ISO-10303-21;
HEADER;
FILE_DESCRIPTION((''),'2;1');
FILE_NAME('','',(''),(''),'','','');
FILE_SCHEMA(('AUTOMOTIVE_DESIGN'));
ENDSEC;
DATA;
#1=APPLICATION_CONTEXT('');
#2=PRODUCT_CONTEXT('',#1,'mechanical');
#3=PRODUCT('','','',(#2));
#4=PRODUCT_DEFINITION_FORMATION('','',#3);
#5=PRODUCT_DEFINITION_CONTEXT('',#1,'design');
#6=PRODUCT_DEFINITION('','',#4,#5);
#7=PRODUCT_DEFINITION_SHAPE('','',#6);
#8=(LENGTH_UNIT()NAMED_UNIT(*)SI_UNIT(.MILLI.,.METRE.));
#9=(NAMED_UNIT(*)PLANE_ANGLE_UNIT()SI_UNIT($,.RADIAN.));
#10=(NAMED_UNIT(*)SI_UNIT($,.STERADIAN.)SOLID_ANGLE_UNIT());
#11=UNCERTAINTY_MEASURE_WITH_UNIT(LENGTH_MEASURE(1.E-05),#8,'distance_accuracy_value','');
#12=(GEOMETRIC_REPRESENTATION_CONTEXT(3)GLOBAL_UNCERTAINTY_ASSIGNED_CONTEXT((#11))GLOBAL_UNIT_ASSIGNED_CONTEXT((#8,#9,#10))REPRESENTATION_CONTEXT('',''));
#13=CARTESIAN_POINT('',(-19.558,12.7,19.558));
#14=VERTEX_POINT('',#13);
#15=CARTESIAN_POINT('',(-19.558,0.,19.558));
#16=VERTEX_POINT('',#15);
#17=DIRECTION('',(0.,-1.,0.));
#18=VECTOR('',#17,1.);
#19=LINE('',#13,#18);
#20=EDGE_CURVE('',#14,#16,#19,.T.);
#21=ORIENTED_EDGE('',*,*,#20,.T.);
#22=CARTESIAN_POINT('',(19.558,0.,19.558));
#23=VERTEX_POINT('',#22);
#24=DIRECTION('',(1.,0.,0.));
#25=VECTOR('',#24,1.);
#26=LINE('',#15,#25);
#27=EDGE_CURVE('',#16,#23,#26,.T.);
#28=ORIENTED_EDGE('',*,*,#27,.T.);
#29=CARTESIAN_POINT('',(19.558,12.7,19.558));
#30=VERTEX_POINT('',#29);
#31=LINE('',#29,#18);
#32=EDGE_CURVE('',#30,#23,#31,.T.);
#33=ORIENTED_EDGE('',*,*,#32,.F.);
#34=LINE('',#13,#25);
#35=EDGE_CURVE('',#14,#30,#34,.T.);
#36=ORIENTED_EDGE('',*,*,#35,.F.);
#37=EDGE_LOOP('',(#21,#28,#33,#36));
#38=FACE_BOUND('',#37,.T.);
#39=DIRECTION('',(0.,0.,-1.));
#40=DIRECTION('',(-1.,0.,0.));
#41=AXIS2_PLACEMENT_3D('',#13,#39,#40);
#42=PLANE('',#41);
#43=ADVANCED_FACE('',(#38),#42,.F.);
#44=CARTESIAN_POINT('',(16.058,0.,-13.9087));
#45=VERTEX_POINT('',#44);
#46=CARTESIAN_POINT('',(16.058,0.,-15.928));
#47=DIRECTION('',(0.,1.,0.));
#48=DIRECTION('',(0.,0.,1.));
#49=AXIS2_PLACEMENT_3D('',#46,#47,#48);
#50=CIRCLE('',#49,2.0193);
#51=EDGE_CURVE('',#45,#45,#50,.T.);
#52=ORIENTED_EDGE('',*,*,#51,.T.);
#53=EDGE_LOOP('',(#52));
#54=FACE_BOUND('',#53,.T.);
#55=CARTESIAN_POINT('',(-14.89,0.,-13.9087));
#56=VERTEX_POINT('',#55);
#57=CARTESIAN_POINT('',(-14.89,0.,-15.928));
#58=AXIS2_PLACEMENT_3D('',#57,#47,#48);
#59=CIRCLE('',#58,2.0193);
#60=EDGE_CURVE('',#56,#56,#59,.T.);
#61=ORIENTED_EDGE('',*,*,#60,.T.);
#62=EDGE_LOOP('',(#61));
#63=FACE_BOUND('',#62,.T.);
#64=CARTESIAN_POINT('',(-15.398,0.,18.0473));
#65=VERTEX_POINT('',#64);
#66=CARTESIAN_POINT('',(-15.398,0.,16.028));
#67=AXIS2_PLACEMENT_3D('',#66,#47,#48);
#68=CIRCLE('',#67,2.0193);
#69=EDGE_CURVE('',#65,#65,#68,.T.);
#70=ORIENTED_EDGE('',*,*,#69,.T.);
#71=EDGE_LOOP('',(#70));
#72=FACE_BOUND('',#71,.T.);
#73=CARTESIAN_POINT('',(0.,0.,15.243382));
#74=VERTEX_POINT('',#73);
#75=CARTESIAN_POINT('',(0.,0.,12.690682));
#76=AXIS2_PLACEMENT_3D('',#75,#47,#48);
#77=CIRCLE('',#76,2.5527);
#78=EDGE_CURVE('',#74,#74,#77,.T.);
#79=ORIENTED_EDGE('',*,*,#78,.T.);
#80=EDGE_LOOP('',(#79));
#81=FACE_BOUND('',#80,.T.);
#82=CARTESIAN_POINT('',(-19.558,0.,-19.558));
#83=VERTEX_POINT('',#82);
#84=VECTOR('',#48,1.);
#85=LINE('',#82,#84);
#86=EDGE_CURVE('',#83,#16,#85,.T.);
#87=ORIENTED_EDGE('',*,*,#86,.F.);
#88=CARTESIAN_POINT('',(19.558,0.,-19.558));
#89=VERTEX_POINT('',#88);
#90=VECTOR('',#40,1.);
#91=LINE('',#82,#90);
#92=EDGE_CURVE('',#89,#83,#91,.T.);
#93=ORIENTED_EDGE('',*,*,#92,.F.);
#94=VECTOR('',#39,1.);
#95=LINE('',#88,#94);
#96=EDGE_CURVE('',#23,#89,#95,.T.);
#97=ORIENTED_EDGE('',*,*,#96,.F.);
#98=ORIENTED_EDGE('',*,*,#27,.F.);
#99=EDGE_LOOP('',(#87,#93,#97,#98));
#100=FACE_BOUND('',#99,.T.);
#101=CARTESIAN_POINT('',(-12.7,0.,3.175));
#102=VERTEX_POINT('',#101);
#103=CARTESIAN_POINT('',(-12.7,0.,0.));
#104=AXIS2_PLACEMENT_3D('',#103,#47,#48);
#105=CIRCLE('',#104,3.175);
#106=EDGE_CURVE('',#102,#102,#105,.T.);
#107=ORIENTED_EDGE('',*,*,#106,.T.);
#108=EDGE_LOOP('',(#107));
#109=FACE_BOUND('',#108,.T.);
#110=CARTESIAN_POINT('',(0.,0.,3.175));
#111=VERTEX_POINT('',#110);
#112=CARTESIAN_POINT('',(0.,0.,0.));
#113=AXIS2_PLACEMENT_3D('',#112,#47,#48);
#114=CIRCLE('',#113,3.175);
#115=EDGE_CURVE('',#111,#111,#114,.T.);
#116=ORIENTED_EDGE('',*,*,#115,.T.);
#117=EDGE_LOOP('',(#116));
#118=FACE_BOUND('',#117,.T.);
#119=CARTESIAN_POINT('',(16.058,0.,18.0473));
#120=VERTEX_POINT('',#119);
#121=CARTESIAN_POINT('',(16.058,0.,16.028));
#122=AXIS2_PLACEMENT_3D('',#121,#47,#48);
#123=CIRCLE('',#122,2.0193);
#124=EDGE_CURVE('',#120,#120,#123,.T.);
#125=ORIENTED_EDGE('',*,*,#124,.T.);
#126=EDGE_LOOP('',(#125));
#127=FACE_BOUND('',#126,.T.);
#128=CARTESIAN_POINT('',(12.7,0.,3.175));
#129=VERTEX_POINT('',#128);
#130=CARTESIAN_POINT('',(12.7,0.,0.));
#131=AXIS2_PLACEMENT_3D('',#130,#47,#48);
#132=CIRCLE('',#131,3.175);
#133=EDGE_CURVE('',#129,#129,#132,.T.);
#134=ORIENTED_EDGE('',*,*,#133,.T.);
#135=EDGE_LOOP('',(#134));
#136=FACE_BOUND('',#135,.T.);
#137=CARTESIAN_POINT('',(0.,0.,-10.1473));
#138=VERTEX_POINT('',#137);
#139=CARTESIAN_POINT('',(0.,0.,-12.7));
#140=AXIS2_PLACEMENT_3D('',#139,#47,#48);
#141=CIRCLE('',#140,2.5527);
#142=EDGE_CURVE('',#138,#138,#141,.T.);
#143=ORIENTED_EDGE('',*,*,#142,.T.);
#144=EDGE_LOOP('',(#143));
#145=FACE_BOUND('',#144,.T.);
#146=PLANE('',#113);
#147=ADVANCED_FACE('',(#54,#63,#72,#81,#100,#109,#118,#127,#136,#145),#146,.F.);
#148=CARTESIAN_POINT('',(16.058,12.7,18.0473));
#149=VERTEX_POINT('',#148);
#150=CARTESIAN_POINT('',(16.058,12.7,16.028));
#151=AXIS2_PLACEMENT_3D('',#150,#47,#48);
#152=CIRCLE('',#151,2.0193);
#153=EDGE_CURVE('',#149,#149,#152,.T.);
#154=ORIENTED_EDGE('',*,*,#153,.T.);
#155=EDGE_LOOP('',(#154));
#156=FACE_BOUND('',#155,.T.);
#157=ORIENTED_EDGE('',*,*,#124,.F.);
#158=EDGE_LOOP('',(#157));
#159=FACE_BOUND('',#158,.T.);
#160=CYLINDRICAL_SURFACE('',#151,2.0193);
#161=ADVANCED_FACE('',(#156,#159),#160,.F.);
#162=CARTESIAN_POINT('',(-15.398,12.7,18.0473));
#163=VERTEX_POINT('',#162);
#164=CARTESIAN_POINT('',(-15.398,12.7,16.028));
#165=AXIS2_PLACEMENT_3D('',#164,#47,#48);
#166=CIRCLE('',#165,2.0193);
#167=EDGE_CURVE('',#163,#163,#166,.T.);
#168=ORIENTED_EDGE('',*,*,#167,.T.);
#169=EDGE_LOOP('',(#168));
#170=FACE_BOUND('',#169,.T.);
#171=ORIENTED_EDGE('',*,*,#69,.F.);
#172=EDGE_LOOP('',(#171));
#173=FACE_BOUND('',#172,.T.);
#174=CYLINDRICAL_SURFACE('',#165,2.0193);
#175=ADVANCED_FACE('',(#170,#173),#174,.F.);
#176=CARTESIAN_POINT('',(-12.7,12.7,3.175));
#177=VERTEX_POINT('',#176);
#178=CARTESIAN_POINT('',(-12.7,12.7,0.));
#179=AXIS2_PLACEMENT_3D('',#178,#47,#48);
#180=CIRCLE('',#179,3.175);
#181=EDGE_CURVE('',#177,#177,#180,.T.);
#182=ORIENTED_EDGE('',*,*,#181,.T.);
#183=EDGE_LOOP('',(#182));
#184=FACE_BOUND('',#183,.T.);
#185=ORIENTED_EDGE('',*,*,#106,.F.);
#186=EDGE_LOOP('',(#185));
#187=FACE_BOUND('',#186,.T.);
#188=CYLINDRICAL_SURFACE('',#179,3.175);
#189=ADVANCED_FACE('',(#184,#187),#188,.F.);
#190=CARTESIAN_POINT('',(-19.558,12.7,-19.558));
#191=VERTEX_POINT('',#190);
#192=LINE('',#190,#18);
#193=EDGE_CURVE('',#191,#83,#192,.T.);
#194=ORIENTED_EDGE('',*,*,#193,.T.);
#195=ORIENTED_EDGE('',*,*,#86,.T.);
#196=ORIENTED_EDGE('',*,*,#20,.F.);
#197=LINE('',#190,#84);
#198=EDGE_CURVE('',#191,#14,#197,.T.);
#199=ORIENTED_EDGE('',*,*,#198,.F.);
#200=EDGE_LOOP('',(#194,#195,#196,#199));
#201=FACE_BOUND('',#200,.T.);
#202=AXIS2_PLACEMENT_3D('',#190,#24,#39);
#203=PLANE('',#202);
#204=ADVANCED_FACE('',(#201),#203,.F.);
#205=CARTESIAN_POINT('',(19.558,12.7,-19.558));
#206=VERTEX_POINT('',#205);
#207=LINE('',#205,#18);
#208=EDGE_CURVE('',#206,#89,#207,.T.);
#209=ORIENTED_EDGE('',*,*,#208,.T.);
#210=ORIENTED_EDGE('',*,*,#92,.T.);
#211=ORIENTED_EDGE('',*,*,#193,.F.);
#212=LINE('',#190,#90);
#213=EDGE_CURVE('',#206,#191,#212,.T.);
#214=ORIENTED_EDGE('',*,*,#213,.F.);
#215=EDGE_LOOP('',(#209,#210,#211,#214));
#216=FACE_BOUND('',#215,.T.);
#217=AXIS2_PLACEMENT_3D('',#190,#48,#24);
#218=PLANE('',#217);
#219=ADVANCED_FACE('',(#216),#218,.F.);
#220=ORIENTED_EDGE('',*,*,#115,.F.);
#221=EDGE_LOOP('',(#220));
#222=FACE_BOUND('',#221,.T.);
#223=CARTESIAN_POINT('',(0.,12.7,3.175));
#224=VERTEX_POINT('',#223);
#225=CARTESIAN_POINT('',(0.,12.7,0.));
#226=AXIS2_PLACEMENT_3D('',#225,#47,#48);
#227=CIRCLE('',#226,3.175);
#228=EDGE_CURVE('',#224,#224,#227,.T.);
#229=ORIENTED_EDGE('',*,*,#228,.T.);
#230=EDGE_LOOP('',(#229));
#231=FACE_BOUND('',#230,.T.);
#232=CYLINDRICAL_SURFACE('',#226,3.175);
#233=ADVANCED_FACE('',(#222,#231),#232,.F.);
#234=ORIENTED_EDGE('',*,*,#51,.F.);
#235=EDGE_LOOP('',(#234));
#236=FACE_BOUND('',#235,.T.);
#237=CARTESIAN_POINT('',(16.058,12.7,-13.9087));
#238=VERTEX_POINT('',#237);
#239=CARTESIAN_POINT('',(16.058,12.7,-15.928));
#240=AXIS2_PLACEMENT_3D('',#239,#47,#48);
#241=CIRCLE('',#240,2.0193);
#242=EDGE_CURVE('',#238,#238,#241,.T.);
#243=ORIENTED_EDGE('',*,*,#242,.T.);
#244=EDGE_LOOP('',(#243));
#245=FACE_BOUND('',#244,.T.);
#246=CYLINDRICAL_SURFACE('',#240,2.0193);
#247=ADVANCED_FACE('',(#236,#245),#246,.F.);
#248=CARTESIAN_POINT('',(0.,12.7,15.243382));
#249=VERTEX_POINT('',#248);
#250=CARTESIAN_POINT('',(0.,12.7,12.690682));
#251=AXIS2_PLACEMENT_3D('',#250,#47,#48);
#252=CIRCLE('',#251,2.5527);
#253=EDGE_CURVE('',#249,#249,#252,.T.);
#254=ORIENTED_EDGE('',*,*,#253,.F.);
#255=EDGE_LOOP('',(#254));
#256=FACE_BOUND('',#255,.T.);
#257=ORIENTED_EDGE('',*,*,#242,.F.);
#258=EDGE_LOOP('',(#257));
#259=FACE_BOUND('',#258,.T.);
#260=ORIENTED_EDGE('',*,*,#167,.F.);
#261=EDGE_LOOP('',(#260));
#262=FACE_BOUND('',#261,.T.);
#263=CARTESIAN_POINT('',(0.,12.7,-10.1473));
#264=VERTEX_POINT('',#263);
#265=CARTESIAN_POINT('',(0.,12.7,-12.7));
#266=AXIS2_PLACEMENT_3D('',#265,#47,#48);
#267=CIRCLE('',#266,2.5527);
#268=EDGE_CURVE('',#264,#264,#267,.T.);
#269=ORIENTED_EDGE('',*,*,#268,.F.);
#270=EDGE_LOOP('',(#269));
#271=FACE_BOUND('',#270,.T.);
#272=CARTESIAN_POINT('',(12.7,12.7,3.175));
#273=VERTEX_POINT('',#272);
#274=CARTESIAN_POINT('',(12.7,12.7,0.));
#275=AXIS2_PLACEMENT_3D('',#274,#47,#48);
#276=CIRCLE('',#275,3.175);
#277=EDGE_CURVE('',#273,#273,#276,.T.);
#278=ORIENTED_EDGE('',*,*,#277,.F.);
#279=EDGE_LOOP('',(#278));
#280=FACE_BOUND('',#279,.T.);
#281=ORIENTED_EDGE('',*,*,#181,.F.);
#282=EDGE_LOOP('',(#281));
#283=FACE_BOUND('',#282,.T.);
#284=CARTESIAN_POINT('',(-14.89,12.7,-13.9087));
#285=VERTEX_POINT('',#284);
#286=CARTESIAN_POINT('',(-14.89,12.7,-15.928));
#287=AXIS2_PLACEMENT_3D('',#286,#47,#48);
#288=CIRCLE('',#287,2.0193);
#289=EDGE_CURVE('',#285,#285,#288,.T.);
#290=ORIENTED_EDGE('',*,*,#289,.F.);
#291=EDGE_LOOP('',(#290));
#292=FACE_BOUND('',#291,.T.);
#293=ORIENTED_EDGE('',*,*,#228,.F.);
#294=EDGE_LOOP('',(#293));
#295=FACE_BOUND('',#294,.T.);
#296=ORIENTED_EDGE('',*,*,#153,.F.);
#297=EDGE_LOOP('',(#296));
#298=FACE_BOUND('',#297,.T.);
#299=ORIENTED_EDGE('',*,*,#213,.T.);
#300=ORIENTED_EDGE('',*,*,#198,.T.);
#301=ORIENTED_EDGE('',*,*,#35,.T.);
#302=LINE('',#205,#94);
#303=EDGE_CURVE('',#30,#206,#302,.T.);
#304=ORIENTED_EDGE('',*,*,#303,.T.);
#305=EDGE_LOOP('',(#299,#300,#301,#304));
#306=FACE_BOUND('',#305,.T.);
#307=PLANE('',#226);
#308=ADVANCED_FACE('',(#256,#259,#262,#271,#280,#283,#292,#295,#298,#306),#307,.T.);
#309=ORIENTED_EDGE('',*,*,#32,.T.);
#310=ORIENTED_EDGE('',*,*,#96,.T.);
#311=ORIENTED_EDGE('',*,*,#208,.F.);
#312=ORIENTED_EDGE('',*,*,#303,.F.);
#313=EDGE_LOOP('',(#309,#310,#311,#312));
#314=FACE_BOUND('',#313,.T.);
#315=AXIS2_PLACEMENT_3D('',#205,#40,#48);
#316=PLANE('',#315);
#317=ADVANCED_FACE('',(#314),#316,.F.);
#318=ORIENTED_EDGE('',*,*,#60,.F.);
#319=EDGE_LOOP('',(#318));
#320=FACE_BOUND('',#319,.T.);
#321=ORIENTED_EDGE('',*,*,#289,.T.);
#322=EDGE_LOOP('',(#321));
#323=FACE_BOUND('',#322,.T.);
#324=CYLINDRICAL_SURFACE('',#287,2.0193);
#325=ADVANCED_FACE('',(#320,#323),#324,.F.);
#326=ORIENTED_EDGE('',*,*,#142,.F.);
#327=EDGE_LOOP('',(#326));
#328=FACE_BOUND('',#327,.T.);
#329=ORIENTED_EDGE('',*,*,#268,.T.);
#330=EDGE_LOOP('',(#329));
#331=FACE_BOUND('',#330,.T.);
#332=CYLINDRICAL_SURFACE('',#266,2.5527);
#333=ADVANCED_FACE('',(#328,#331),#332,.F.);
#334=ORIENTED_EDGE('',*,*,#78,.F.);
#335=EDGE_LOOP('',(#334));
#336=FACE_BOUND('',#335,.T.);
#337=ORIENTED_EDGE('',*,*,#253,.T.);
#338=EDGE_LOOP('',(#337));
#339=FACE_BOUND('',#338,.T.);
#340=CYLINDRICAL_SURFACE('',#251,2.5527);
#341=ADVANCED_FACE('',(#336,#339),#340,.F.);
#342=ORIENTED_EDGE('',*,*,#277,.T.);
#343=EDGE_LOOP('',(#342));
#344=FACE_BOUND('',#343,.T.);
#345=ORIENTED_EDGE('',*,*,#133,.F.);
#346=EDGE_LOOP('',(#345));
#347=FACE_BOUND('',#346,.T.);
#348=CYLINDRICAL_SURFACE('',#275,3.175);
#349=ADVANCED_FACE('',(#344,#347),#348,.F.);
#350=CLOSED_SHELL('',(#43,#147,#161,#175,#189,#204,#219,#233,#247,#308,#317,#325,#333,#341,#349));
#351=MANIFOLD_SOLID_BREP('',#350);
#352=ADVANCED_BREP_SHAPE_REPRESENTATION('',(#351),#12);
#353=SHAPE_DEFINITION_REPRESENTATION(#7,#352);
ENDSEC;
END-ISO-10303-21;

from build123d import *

# Parameters (mm, degrees)
SKETCH1_W                       = 39.116
SKETCH1_H                       = 39.116
BOSS_EXTRUDE1_DEPTH             = 12.7
F_21_0_159_DIAMETER_HOLE1_D     = 4.0386
F_21_0_159_DIAMETER_HOLE1_DEPTH = 12.7
F_1_4_0_25_DIAMETER_HOLE1_D     = 6.35
F_1_4_0_25_DIAMETER_HOLE1_DEPTH = 12.7
LPATTERN1_COUNT                 = 2
LPATTERN1_PITCH                 = 12.7
LPATTERN1_COL_COUNT             = 2
LPATTERN1_COL_PITCH             = 12.7
F_1_4_20_TAPPED_HOLE1_D         = 5.1054
F_1_4_20_TAPPED_HOLE1_DEPTH     = 12.7


with BuildPart() as part:
    # Sketch1 → Boss-Extrude1 (new body)
    with BuildSketch(Plane(origin=(0, 0, 0), x_dir=(1, 0, 0), z_dir=(0, 1, 0))):
        Rectangle(SKETCH1_W, SKETCH1_H)
    extrude(amount=BOSS_EXTRUDE1_DEPTH)

    # #21 (0.159) Diameter Hole1
    with Locations(Plane(origin=(0, 12.7, 0), x_dir=(1, 0, 0), z_dir=(0, 1, 0))):
        with Locations((-14.89, 15.928), (-15.398, -16.028), (16.058, -16.028), (16.058, 15.928)):
            Hole(F_21_0_159_DIAMETER_HOLE1_D / 2, depth=F_21_0_159_DIAMETER_HOLE1_DEPTH)

    # 1/4 (0.25) Diameter Hole1
    with Locations(Plane(origin=(0, 12.7, 0), x_dir=(1, 0, 0), z_dir=(0, 1, 0))):
        with Locations((0, 0)):
            f_1_4_0_25_diameter_hole1 = Hole(F_1_4_0_25_DIAMETER_HOLE1_D / 2, depth=F_1_4_0_25_DIAMETER_HOLE1_DEPTH)

    # LPattern1: 1/4 (0.25) Diameter Hole1 ×2
    with Locations(*[(-i * LPATTERN1_PITCH, 0, 0) for i in range(1, LPATTERN1_COUNT)]):
        add(f_1_4_0_25_diameter_hole1, mode=Mode.SUBTRACT)

    # LPattern1 col: 1/4 (0.25) Diameter Hole1 ×2
    with Locations(*[(i * LPATTERN1_COL_PITCH, 0, 0) for i in range(1, LPATTERN1_COL_COUNT)]):
        add(f_1_4_0_25_diameter_hole1, mode=Mode.SUBTRACT)

    # 1/4-20 Tapped Hole1
    with Locations(Plane(origin=(0, 12.7, 0), x_dir=(1, 0, 0), z_dir=(0, 1, 0))):
        with Locations((0, 12.7), (0, -12.690681966)):
            Hole(F_1_4_20_TAPPED_HOLE1_D / 2, depth=F_1_4_20_TAPPED_HOLE1_DEPTH)


solid = part.part
